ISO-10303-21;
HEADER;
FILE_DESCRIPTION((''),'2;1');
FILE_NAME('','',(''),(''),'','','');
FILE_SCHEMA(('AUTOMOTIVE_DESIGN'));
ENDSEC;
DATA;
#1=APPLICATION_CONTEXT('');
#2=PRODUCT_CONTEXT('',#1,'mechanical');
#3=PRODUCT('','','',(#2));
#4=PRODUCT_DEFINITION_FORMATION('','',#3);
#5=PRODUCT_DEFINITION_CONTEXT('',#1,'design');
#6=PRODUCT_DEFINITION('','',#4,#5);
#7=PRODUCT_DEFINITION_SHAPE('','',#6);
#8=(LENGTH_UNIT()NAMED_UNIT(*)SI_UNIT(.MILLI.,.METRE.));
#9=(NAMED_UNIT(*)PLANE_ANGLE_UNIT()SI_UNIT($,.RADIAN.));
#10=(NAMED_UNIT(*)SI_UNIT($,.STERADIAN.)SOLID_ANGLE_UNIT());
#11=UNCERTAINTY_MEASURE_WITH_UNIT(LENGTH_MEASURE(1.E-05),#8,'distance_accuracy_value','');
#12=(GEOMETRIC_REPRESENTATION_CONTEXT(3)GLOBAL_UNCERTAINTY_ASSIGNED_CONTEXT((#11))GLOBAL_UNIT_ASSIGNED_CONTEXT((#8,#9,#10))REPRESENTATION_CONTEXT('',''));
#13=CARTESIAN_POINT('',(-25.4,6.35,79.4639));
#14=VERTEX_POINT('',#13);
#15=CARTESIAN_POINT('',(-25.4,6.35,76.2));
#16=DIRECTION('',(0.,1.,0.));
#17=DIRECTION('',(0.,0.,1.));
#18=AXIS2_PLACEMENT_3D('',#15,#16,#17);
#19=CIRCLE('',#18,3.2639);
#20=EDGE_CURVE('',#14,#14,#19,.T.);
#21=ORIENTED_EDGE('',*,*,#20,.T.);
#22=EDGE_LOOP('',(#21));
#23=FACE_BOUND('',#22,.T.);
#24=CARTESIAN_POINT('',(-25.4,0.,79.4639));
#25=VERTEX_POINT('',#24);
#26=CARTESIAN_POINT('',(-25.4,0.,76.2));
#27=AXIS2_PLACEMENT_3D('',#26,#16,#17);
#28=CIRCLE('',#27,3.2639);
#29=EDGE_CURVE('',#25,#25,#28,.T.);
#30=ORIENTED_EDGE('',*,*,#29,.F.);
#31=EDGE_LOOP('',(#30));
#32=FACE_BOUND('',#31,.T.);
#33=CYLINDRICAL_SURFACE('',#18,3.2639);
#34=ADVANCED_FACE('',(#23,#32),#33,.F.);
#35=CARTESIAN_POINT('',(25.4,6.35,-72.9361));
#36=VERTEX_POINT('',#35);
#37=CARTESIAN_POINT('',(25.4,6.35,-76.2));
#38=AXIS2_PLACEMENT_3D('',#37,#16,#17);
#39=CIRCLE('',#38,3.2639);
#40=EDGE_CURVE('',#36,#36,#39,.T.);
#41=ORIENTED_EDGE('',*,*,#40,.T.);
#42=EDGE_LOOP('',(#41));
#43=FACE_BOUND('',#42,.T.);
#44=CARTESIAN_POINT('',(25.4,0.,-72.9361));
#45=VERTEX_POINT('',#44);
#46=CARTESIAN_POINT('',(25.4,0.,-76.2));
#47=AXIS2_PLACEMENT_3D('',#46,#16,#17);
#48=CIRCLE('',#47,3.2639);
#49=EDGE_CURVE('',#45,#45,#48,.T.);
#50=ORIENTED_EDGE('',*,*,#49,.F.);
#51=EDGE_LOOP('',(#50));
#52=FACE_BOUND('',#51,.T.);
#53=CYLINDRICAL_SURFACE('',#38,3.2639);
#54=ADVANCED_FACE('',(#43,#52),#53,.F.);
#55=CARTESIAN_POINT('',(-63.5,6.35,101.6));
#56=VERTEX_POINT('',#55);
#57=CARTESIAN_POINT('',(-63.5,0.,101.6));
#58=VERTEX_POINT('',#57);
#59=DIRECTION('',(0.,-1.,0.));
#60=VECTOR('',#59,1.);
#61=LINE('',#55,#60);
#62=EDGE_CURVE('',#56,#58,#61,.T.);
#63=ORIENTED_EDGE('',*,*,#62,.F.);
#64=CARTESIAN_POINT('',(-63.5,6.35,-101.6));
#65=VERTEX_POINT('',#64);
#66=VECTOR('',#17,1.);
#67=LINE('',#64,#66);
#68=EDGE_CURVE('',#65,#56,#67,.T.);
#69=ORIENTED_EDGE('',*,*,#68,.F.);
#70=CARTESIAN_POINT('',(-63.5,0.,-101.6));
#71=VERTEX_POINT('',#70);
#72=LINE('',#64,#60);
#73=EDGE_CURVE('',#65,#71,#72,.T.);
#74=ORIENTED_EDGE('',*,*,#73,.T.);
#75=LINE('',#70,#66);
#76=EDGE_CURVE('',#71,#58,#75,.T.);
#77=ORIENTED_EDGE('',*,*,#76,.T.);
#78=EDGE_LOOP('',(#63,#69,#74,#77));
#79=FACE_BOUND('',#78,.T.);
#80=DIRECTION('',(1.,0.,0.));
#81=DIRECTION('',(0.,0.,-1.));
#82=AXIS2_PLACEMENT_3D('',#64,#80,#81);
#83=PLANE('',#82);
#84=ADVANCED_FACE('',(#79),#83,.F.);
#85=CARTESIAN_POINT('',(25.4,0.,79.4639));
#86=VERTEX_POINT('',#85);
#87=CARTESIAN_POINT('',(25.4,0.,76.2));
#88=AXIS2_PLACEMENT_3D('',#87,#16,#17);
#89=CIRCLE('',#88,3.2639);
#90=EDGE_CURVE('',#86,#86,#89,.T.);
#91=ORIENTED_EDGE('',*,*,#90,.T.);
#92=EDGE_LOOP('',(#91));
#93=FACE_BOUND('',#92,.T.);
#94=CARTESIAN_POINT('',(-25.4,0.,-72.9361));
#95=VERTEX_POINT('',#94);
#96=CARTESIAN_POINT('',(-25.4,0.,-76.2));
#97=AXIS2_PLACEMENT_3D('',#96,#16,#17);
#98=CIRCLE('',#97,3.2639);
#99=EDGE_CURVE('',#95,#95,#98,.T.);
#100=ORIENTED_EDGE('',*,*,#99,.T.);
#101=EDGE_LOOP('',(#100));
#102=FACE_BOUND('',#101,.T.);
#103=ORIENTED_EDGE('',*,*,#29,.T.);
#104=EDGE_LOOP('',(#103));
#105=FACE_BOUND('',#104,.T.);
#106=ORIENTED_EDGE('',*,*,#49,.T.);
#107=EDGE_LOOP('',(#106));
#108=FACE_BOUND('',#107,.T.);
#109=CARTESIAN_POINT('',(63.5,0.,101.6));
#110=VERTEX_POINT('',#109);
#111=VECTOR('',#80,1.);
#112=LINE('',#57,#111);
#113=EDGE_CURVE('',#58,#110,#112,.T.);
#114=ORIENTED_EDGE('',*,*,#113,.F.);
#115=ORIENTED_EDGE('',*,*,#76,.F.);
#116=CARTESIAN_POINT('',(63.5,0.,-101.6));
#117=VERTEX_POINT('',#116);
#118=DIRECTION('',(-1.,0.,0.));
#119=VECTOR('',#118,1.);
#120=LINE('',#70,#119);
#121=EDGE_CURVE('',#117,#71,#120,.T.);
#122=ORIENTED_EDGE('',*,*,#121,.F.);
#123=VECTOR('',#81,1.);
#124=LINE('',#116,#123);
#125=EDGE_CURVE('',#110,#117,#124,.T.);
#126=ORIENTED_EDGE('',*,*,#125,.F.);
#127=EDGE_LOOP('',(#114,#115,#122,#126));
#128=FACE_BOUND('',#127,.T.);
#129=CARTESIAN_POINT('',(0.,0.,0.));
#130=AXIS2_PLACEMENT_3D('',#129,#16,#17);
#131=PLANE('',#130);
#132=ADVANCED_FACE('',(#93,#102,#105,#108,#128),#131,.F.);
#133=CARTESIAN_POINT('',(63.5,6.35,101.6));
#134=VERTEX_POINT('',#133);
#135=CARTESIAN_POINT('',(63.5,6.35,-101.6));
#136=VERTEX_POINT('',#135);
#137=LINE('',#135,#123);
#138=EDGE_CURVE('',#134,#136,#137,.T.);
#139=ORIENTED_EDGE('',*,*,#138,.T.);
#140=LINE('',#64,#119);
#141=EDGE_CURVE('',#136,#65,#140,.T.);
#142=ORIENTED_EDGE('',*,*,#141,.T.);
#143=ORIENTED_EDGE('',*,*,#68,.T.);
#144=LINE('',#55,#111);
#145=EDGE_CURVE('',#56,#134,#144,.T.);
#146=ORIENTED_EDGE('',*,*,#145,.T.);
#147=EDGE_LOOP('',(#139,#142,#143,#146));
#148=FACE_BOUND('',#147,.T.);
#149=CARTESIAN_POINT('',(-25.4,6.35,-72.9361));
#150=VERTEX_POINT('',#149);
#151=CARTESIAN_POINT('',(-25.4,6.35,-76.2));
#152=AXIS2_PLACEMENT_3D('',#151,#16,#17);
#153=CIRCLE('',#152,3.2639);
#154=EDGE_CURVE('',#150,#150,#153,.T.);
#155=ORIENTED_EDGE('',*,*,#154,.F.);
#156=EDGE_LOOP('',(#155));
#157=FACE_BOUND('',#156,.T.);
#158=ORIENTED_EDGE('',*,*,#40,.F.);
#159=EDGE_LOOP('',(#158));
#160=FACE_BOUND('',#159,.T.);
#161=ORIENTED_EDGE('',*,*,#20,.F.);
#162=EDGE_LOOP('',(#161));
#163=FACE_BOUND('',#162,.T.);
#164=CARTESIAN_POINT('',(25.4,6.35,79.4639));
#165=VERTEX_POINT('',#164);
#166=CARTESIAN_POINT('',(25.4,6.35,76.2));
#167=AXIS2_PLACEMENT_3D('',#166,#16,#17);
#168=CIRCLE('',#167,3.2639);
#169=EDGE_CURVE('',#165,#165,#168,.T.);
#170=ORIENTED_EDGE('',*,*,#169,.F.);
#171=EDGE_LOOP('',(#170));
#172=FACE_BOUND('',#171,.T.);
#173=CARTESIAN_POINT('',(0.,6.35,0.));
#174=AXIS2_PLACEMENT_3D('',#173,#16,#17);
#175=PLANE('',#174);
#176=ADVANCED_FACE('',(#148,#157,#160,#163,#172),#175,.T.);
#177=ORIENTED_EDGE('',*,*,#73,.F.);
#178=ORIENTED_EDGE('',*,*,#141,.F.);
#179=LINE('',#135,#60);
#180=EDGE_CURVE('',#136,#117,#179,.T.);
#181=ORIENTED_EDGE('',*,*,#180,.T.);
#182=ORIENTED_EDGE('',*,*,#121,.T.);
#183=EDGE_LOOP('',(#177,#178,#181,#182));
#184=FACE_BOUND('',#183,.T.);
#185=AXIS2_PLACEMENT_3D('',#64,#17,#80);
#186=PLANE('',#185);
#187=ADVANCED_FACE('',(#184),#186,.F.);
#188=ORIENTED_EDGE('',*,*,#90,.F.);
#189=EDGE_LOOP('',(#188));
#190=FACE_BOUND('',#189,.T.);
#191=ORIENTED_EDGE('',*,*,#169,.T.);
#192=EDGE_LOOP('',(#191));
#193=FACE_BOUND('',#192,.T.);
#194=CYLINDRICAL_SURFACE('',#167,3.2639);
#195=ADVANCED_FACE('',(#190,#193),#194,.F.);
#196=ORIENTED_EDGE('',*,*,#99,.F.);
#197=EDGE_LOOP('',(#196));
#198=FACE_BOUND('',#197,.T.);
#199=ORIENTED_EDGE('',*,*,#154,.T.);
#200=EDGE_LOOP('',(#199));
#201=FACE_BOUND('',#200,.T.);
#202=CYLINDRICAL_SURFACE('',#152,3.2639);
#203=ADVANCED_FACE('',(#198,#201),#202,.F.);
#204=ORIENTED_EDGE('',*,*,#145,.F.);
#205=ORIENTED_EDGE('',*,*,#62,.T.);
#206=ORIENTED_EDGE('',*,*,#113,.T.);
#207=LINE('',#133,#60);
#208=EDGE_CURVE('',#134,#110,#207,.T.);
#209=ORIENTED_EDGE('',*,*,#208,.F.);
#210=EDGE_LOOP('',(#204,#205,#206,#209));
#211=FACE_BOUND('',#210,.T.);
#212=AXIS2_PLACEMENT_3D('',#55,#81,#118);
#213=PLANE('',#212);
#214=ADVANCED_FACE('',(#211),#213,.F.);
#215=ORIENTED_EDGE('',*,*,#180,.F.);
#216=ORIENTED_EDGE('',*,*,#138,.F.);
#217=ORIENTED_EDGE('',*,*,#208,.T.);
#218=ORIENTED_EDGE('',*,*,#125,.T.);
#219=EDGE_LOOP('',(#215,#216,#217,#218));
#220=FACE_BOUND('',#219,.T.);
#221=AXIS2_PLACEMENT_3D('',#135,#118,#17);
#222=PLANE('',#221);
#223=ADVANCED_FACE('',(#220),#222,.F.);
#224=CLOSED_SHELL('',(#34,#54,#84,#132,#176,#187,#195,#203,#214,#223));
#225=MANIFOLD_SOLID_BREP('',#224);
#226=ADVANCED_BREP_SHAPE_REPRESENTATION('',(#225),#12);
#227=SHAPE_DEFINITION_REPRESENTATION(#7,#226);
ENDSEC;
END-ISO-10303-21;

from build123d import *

# Parameters (mm, degrees)
SKETCH1_W                = 127
SKETCH1_H                = 203.2
BOSS_EXTRUDE1_DEPTH      = 6.35
F_5_16_18_TAPPED_HOLE1_D = 6.5278


with BuildPart() as part:
    # Sketch1 → Boss-Extrude1 (new body)
    with BuildSketch(Plane(origin=(0, 0, 0), x_dir=(1, 0, 0), z_dir=(0, 1, 0))):
        Rectangle(SKETCH1_W, SKETCH1_H)
    extrude(amount=BOSS_EXTRUDE1_DEPTH)

    # 5/16-18 Tapped Hole1 (through all)
    with Locations(Plane(origin=(0, 6.35, 0), x_dir=(1, 0, 0), z_dir=(0, 1, 0))):
        with Locations((-25.4, 76.2), (25.4, 76.2), (25.4, -76.2), (-25.4, -76.2)):
            Hole(F_5_16_18_TAPPED_HOLE1_D / 2)


solid = part.part
